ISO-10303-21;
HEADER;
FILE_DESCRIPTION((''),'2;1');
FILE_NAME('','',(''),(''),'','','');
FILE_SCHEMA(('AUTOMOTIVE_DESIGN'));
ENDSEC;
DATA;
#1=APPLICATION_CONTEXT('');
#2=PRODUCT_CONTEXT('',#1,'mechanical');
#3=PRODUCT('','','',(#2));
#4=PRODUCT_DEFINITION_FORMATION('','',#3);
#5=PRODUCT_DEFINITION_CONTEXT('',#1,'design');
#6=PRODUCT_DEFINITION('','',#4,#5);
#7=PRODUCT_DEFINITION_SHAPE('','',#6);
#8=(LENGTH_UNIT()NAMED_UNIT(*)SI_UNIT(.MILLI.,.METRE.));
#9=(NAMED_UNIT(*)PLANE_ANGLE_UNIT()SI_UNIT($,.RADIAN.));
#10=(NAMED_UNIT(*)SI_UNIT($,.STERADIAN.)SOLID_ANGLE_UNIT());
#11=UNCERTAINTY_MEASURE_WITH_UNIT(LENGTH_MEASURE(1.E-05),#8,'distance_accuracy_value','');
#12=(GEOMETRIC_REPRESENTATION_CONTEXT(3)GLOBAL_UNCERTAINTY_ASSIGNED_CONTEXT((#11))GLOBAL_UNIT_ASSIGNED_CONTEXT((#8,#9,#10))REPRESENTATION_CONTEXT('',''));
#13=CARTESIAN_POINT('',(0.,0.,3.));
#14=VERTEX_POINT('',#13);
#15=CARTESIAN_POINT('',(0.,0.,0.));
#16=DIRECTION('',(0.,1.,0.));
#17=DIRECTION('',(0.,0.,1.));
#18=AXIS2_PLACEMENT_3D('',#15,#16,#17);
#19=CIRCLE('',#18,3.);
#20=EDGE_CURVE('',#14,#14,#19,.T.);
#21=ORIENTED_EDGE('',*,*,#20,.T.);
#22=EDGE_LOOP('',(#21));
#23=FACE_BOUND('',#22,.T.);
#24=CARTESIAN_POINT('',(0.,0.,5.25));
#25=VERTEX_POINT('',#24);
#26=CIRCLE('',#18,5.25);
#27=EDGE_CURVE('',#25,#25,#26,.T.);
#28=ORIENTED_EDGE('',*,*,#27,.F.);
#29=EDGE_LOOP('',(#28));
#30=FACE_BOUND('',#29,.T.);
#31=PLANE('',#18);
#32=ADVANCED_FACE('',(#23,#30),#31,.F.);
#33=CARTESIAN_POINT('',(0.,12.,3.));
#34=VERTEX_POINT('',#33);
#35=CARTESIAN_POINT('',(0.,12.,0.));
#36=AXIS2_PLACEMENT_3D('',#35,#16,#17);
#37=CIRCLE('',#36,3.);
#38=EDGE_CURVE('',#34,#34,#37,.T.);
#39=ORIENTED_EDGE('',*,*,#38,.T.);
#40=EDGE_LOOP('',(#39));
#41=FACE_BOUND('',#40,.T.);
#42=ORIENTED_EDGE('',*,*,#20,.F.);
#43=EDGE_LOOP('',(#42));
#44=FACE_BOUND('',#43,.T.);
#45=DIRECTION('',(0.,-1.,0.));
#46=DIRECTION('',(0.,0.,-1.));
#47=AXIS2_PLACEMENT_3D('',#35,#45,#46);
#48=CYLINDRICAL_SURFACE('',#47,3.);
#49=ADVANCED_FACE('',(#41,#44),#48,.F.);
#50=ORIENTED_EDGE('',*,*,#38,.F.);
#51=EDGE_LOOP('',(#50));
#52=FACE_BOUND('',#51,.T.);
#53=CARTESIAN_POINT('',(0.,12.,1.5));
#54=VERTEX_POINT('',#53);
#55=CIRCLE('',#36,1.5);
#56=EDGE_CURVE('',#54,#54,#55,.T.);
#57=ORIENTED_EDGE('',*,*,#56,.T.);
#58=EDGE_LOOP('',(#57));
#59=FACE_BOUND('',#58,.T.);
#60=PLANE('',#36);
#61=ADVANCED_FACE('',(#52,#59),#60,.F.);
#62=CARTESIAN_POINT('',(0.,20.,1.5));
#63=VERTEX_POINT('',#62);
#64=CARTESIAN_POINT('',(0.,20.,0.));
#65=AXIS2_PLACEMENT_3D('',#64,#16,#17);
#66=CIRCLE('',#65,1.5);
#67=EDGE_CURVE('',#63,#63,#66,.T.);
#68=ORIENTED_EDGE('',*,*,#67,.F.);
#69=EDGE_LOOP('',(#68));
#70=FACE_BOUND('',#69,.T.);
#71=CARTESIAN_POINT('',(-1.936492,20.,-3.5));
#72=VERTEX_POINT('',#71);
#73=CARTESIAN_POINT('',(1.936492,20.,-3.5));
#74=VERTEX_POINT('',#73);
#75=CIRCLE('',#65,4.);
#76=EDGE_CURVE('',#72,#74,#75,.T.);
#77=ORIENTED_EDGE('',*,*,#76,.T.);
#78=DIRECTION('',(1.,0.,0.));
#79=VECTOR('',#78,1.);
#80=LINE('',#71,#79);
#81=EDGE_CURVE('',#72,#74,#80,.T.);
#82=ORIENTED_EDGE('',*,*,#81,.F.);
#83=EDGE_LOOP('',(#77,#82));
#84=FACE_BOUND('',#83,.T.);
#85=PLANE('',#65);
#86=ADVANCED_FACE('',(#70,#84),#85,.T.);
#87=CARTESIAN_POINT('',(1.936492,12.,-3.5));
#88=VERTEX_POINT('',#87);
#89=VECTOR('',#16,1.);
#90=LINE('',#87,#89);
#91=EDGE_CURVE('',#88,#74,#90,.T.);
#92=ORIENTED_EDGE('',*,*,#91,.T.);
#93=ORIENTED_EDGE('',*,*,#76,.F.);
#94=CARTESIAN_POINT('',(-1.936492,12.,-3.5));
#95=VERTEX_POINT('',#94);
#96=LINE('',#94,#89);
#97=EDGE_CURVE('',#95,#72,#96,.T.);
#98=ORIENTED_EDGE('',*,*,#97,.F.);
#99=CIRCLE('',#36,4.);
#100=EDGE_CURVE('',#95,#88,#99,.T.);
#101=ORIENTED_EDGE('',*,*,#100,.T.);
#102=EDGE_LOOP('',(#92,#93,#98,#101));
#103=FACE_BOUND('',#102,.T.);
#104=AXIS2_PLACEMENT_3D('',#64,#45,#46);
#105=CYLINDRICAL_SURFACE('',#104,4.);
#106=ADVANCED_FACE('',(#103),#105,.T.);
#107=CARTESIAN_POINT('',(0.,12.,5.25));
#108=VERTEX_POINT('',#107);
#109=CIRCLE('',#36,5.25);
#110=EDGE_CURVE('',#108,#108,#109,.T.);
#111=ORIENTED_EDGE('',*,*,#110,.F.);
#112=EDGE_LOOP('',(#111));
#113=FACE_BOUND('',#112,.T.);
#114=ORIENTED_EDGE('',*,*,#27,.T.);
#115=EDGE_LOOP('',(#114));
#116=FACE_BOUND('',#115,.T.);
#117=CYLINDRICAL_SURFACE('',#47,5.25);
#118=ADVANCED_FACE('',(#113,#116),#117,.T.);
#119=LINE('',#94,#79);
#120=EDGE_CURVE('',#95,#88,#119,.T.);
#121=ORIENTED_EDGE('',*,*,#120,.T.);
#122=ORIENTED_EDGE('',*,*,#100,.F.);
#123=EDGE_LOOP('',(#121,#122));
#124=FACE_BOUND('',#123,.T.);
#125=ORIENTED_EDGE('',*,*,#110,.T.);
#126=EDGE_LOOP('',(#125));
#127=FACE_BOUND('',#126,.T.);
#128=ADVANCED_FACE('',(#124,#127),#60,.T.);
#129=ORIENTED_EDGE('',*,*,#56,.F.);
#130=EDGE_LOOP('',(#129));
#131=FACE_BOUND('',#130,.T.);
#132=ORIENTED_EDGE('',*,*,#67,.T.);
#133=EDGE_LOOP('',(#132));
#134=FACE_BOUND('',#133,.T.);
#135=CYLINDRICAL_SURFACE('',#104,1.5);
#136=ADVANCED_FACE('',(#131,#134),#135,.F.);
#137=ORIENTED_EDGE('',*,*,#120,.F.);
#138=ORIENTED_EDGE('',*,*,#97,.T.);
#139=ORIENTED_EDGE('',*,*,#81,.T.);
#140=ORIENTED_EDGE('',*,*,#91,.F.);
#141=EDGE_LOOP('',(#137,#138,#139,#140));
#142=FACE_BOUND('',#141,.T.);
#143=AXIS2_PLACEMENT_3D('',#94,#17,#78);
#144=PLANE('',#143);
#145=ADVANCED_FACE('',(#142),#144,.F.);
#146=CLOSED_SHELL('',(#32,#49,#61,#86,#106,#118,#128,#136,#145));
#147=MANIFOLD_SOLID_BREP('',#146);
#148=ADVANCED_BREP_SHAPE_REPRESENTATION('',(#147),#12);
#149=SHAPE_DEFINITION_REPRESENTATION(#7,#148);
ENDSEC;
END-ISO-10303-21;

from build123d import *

# Parameters (mm, degrees)
SKETCH1_R           = 5.25
SKETCH1_R_2         = 3
BOSS_EXTRUDE1_DEPTH = 12
SKETCH2_R           = 4
SKETCH2_R_2         = 1.5
BOSS_EXTRUDE2_DEPTH = 8
CUT_EXTRUDE2_START  = -8
CUT_EXTRUDE2_DEPTH  = 8


with BuildPart() as part:
    # Sketch1 → Boss-Extrude1 (new body)
    with BuildSketch(Plane(origin=(0, 0, 0), x_dir=(1, 0, 0), z_dir=(0, 1, 0))):
        with Locations(Location((0, 0, 0), (0, 0, 270))):
            Circle(SKETCH1_R)
        with Locations(Location((0, 0, 0), (0, 0, 270))):
            Circle(SKETCH1_R_2, mode=Mode.SUBTRACT)
    extrude(amount=BOSS_EXTRUDE1_DEPTH)

    # Sketch2 → Boss-Extrude2 (add)
    with BuildSketch(Plane(origin=(0, 12, 0), x_dir=(1, 0, 0), z_dir=(0, 1, 0))):
        with Locations(Location((0, 0, 0), (0, 0, 270))):
            Circle(SKETCH2_R)
        with Locations(Location((0, 0, 0), (0, 0, 270))):
            Circle(SKETCH2_R_2, mode=Mode.SUBTRACT)
    extrude(amount=BOSS_EXTRUDE2_DEPTH)

    # Sketch4 → Cut-Extrude2 (cut)
    with BuildSketch(Plane(origin=(0, 20, 0), x_dir=(1, 0, 0), z_dir=(0, 1, 0)).offset(CUT_EXTRUDE2_START)):
        with BuildLine():
            Line((-1.936491673, 3.5), (1.936491673, 3.5))
            ThreePointArc((1.936491673, 3.5), (0, 4), (-1.936491673, 3.5))
        make_face()
    extrude(amount=CUT_EXTRUDE2_DEPTH, mode=Mode.SUBTRACT)


solid = part.part
